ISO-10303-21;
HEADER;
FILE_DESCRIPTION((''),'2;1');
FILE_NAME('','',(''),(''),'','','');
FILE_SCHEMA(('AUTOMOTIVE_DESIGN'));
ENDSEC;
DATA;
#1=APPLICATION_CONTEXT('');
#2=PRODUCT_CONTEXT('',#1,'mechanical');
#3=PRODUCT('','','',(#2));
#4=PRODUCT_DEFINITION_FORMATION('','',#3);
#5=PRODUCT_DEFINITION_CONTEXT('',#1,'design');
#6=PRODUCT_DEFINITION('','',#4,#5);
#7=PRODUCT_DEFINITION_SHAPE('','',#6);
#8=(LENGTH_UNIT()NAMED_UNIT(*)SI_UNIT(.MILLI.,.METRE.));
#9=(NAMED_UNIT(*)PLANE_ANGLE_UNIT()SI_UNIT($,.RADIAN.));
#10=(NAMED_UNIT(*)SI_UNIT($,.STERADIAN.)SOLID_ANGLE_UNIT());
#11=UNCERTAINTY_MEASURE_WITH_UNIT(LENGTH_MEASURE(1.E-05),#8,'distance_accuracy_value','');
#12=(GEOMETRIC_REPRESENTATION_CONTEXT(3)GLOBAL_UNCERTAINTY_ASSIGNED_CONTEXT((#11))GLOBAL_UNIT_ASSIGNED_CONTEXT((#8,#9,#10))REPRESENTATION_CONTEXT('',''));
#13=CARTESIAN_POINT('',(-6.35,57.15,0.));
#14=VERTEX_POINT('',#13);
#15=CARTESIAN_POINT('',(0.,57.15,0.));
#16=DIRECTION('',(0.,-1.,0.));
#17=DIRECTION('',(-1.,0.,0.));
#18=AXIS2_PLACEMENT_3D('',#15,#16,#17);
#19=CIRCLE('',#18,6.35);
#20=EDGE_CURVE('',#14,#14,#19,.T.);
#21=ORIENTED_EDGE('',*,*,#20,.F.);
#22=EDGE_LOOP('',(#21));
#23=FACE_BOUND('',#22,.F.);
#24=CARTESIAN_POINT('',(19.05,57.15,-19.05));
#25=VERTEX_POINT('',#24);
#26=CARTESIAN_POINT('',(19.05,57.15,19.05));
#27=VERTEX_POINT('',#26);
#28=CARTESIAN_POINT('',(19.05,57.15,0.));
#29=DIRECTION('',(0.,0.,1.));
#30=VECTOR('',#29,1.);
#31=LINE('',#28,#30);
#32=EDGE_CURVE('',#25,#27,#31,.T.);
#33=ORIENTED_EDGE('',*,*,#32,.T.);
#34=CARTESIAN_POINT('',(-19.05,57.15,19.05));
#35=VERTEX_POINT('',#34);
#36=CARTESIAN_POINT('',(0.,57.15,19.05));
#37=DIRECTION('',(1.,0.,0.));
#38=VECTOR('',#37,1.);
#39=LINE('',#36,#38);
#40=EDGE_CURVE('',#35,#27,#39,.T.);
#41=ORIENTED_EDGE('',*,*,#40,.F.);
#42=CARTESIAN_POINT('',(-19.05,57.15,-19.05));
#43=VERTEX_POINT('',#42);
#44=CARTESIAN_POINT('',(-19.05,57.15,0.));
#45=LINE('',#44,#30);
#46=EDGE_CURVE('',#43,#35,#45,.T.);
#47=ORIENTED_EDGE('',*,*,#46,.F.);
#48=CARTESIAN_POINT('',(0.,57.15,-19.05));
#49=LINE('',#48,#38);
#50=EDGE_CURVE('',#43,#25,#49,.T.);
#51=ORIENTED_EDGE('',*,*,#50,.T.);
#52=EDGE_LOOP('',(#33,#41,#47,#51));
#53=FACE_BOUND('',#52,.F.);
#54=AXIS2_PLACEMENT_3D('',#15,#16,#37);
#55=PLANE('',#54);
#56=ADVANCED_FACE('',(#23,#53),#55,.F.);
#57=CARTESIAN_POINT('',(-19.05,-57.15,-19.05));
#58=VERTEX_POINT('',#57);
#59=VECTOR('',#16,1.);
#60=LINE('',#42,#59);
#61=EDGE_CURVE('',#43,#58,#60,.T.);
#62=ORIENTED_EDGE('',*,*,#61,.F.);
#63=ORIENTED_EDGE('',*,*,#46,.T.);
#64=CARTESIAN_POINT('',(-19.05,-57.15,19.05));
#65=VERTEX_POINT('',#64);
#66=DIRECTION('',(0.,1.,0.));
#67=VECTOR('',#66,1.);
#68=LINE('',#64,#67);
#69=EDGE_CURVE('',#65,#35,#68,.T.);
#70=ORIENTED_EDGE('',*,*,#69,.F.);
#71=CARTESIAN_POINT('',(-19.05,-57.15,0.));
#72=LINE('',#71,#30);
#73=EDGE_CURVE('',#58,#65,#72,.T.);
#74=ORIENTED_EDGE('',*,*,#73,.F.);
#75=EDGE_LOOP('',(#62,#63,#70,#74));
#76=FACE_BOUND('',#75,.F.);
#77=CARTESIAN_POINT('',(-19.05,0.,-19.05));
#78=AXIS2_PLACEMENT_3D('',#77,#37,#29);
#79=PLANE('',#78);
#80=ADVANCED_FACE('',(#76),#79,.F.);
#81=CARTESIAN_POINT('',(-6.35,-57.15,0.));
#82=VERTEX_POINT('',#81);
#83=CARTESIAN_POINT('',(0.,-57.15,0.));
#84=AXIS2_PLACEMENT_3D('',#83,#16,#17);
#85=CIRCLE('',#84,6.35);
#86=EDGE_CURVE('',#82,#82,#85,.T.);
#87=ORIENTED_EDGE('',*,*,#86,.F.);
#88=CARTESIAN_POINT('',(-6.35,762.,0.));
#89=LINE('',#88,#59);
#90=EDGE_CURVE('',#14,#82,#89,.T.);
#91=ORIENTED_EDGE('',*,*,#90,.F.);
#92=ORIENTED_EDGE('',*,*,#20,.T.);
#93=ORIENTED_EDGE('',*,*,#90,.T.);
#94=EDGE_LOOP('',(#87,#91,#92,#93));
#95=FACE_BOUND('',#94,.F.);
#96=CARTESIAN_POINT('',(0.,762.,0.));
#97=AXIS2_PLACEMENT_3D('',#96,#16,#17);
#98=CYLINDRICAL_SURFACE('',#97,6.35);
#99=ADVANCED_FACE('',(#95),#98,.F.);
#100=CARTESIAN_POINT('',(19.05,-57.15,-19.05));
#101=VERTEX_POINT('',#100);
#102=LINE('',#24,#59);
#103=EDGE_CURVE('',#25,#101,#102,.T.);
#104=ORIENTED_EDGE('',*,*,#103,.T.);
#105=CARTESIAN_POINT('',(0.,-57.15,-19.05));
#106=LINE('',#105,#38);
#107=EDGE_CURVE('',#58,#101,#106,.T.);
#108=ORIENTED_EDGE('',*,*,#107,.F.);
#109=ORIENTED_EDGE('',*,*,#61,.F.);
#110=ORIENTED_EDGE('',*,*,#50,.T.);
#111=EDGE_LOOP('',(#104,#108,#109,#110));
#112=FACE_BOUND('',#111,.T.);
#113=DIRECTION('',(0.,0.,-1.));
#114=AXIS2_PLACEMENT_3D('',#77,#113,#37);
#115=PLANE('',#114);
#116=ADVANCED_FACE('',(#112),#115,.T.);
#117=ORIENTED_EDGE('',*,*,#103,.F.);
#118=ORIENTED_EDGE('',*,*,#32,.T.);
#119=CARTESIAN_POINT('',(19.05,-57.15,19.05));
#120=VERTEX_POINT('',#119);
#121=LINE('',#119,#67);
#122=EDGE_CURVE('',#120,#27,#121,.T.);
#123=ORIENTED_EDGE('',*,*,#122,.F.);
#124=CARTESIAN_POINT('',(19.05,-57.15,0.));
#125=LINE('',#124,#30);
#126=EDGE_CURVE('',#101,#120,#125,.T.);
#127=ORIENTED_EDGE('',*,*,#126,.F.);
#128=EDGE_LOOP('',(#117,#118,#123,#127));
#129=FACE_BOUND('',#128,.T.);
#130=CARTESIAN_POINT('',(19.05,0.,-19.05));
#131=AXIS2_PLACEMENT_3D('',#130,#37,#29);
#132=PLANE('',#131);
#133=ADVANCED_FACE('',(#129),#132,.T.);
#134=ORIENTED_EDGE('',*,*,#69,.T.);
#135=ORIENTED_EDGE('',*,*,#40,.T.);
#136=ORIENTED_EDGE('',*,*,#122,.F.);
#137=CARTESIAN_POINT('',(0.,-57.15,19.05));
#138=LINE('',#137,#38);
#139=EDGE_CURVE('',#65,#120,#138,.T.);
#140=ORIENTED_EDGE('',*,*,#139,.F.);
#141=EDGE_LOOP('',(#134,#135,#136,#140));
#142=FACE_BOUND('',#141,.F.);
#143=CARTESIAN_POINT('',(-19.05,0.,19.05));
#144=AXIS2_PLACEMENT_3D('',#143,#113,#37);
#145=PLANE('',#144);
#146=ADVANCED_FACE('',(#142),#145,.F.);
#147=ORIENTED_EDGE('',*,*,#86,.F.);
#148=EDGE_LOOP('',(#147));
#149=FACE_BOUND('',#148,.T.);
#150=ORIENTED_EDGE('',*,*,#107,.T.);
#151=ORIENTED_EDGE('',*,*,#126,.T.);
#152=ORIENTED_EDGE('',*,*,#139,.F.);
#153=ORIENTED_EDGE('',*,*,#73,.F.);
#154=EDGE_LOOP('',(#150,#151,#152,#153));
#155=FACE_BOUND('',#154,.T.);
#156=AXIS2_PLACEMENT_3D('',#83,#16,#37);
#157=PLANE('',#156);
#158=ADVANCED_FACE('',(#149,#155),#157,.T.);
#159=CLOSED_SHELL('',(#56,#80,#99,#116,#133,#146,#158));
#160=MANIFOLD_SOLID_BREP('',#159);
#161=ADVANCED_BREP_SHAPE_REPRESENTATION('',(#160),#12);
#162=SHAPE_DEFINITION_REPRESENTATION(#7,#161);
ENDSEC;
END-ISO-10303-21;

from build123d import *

# Parameters (mm, degrees)
F0_W     = 38.1
F0_H     = 38.1
F1_DEPTH = 57.15
F4_D     = 12.7
F4_DEPTH = 609.6


with BuildPart() as f1:
    # F0 (on Front) → F1 (new body, symmetric)
    with BuildSketch(Plane.XZ):
        Rectangle(F0_W, F0_H)
    extrude(amount=F1_DEPTH, both=True)

    # F4
    with Locations(Plane(origin=(0, 152.4, 0), x_dir=(1, 0, 0), z_dir=(0, 1, 0))):
        with Locations((0, 0)):
            Hole(F4_D / 2, depth=F4_DEPTH)


solid = f1.part
